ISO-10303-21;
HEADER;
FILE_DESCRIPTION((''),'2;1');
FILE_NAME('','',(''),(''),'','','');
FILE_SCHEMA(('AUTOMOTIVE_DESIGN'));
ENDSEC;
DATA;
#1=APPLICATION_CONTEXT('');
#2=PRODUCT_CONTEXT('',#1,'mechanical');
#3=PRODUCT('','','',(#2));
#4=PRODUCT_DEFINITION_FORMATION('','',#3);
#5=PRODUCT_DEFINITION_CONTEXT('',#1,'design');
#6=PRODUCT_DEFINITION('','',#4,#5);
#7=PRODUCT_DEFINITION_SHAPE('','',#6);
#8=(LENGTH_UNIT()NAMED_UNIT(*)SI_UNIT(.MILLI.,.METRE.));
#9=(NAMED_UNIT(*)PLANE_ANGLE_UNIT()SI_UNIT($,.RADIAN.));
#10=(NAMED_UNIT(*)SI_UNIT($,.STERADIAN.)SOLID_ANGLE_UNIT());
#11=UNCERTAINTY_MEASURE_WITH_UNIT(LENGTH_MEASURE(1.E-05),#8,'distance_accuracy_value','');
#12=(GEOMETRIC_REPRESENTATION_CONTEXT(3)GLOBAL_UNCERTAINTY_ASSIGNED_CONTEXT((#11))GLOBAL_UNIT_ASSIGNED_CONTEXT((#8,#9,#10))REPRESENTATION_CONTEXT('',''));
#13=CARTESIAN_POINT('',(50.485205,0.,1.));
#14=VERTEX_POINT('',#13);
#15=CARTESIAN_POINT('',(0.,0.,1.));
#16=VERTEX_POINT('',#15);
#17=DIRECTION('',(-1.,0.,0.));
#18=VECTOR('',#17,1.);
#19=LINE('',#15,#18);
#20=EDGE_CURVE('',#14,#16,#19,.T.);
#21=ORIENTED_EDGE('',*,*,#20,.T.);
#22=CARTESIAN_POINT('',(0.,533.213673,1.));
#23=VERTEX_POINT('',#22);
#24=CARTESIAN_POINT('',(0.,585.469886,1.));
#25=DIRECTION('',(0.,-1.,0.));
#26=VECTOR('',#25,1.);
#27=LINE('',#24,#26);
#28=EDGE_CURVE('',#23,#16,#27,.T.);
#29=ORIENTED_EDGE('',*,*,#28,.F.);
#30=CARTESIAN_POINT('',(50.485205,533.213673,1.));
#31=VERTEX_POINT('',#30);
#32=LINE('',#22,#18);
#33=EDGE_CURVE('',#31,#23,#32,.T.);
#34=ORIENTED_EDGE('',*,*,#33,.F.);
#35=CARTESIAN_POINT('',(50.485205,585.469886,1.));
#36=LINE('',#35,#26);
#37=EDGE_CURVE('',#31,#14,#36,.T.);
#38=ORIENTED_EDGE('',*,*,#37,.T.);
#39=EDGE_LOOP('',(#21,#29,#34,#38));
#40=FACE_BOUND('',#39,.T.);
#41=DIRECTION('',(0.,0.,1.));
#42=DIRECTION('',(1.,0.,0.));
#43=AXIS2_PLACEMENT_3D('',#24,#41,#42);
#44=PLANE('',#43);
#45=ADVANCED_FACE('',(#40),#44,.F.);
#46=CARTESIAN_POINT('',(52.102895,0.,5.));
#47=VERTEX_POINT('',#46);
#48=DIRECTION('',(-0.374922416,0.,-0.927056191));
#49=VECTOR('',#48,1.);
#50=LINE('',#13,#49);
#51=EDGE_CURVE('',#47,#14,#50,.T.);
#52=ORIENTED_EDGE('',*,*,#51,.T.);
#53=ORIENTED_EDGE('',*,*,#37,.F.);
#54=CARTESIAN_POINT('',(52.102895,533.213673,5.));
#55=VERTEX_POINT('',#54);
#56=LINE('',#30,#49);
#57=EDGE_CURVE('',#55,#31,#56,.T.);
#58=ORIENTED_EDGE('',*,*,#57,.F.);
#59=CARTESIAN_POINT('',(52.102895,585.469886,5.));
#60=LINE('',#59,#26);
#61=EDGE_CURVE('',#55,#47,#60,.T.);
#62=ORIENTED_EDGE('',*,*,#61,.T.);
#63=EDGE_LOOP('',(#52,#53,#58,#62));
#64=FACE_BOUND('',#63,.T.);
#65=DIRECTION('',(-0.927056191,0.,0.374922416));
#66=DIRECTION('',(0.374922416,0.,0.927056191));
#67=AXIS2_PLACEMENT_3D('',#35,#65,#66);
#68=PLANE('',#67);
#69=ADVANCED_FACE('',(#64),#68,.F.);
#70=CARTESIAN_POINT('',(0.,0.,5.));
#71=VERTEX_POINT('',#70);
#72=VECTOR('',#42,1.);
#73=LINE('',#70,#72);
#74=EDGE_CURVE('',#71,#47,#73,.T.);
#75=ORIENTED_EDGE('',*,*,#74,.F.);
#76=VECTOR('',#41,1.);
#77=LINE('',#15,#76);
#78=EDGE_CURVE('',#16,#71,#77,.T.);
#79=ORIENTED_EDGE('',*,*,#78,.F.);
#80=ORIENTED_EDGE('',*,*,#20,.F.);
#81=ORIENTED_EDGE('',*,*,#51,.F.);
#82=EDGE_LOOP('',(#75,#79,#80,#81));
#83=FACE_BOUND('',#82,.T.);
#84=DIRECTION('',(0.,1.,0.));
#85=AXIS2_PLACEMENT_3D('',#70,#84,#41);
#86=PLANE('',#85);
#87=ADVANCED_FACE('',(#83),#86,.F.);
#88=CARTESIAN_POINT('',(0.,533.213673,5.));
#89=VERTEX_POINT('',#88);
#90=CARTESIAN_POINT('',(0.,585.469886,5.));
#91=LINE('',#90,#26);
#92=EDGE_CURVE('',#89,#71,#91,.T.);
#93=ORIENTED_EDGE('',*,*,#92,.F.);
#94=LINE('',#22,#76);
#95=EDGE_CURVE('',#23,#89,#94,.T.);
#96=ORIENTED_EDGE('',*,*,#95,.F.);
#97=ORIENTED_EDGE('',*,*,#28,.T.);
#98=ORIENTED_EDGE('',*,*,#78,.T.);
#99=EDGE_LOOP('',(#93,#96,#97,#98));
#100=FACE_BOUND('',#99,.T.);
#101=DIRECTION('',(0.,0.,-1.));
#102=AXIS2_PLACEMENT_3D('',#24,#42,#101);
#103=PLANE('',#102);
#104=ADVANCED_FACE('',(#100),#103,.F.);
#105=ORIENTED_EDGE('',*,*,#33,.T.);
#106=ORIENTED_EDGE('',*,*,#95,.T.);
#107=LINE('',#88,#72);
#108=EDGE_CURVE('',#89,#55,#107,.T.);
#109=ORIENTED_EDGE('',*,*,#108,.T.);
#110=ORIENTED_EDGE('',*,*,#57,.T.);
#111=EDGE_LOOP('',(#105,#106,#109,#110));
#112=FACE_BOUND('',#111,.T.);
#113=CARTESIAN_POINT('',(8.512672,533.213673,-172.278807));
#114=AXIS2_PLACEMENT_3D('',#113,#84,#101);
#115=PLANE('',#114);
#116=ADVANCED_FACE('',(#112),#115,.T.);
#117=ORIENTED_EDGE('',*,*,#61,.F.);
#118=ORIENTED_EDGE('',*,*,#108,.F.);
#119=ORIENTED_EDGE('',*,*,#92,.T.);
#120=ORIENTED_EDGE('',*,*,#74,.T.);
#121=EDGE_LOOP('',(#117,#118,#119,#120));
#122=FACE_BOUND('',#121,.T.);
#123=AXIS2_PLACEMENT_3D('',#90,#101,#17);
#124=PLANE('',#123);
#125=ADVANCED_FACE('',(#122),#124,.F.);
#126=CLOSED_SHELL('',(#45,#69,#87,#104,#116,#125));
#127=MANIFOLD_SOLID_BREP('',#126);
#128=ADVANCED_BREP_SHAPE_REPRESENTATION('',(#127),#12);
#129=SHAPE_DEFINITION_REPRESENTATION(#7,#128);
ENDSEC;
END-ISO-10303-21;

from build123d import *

# Parameters (mm, degrees)
EXTRUDE_1_DEPTH = 533.213673317


with BuildPart() as part:
    # Эскиз1 → Вытянуть1 (new body)
    with BuildSketch(Plane(origin=(0, 0, 0), x_dir=(1, 0, 0), z_dir=(0, 1, 0))):
        Polygon((0, -1), (50.485205308, -1), (52.102895451, -5), (0, -5), align=None)
    extrude(amount=EXTRUDE_1_DEPTH)


solid = part.part
